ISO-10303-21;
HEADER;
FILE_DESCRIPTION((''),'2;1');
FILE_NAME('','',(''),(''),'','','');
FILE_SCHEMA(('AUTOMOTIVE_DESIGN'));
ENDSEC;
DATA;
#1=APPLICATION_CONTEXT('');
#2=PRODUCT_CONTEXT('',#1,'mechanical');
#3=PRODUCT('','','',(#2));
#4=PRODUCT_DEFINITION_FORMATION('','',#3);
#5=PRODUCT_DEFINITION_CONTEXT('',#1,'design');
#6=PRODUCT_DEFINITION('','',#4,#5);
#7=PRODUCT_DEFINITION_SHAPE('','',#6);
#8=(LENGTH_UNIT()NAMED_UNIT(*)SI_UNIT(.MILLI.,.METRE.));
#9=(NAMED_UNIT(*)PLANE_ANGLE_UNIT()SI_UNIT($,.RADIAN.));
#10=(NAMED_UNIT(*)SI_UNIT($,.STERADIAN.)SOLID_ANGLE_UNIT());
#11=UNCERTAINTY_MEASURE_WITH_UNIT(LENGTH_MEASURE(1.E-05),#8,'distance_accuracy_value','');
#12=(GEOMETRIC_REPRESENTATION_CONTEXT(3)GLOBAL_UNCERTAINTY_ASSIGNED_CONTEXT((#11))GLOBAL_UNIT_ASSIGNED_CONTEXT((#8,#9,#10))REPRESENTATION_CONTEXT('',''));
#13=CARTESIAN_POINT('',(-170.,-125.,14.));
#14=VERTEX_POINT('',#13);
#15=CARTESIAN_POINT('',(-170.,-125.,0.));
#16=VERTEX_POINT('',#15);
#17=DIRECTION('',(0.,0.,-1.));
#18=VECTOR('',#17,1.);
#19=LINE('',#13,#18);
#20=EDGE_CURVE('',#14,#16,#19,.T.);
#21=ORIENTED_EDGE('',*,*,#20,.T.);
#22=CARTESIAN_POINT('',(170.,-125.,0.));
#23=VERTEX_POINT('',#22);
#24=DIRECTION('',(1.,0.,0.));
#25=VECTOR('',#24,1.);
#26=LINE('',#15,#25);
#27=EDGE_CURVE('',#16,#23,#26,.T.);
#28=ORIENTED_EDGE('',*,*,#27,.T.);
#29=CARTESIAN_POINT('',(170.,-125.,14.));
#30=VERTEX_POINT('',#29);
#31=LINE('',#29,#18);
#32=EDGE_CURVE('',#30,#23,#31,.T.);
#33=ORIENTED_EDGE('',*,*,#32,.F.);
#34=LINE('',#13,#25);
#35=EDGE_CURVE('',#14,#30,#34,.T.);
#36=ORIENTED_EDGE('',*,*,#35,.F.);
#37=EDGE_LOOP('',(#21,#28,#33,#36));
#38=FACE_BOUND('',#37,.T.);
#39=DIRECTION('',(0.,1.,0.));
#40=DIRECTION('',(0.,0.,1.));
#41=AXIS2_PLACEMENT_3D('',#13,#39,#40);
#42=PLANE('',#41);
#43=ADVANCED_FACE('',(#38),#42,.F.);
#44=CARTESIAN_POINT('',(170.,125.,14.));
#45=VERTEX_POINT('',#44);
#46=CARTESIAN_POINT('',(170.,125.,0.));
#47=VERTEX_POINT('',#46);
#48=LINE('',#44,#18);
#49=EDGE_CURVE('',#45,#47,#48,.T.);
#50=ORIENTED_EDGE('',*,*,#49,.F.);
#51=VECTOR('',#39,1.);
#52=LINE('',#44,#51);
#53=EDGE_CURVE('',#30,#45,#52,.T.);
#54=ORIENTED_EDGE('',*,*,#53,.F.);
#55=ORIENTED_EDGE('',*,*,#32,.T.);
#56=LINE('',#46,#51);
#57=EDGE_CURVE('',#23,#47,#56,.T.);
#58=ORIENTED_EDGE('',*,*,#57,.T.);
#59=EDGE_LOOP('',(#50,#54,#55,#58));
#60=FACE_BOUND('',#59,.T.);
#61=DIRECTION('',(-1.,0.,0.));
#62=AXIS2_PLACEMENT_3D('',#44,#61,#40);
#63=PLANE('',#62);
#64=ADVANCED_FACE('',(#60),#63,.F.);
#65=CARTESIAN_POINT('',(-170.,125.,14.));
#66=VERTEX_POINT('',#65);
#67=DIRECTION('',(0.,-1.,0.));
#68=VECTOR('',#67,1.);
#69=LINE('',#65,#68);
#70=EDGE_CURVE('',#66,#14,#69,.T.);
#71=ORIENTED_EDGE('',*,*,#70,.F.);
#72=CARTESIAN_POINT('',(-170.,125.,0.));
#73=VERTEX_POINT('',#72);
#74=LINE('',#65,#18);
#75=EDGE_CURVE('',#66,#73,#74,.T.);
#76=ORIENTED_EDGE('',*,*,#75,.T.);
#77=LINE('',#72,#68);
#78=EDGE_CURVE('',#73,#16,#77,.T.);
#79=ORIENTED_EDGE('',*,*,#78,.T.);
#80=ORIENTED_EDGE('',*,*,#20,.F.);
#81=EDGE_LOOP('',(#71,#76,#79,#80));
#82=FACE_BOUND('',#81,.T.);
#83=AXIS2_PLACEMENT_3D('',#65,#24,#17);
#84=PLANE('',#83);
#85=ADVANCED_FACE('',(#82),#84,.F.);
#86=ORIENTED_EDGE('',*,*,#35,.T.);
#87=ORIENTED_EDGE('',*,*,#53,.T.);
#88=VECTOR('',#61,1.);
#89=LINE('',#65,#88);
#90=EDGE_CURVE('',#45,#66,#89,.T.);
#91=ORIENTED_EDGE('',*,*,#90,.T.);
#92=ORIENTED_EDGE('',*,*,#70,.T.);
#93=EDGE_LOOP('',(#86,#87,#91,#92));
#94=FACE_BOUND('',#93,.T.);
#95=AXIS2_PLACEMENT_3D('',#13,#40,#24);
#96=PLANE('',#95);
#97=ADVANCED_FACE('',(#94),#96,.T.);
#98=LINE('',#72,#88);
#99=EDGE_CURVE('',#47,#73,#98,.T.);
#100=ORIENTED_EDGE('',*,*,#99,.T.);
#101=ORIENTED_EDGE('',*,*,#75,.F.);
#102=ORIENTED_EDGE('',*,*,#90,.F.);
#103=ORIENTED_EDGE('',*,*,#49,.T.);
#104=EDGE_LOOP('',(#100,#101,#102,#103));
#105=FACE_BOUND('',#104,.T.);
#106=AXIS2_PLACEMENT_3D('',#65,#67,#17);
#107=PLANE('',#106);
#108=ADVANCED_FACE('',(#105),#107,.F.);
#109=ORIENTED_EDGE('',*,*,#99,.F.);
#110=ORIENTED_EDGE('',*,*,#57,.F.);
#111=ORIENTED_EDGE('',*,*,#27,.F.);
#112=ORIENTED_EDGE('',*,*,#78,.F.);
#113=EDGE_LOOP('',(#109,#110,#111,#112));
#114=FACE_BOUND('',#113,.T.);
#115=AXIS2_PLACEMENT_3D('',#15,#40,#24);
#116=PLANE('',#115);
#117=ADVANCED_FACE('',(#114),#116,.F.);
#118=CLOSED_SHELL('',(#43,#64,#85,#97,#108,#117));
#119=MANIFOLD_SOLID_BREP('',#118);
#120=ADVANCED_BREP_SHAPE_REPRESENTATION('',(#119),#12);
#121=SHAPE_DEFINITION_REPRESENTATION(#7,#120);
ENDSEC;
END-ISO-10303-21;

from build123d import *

# Parameters (mm, degrees)
SKETCH_1_W        = 340
SKETCH_1_H        = 250
EXTRUDE_372_DEPTH = 14


with BuildPart() as part:
    # 草图1 → Extrude 372 (new body)
    with BuildSketch(Plane.XY):
        Rectangle(SKETCH_1_W, SKETCH_1_H)
    extrude(amount=EXTRUDE_372_DEPTH)


solid = part.part
